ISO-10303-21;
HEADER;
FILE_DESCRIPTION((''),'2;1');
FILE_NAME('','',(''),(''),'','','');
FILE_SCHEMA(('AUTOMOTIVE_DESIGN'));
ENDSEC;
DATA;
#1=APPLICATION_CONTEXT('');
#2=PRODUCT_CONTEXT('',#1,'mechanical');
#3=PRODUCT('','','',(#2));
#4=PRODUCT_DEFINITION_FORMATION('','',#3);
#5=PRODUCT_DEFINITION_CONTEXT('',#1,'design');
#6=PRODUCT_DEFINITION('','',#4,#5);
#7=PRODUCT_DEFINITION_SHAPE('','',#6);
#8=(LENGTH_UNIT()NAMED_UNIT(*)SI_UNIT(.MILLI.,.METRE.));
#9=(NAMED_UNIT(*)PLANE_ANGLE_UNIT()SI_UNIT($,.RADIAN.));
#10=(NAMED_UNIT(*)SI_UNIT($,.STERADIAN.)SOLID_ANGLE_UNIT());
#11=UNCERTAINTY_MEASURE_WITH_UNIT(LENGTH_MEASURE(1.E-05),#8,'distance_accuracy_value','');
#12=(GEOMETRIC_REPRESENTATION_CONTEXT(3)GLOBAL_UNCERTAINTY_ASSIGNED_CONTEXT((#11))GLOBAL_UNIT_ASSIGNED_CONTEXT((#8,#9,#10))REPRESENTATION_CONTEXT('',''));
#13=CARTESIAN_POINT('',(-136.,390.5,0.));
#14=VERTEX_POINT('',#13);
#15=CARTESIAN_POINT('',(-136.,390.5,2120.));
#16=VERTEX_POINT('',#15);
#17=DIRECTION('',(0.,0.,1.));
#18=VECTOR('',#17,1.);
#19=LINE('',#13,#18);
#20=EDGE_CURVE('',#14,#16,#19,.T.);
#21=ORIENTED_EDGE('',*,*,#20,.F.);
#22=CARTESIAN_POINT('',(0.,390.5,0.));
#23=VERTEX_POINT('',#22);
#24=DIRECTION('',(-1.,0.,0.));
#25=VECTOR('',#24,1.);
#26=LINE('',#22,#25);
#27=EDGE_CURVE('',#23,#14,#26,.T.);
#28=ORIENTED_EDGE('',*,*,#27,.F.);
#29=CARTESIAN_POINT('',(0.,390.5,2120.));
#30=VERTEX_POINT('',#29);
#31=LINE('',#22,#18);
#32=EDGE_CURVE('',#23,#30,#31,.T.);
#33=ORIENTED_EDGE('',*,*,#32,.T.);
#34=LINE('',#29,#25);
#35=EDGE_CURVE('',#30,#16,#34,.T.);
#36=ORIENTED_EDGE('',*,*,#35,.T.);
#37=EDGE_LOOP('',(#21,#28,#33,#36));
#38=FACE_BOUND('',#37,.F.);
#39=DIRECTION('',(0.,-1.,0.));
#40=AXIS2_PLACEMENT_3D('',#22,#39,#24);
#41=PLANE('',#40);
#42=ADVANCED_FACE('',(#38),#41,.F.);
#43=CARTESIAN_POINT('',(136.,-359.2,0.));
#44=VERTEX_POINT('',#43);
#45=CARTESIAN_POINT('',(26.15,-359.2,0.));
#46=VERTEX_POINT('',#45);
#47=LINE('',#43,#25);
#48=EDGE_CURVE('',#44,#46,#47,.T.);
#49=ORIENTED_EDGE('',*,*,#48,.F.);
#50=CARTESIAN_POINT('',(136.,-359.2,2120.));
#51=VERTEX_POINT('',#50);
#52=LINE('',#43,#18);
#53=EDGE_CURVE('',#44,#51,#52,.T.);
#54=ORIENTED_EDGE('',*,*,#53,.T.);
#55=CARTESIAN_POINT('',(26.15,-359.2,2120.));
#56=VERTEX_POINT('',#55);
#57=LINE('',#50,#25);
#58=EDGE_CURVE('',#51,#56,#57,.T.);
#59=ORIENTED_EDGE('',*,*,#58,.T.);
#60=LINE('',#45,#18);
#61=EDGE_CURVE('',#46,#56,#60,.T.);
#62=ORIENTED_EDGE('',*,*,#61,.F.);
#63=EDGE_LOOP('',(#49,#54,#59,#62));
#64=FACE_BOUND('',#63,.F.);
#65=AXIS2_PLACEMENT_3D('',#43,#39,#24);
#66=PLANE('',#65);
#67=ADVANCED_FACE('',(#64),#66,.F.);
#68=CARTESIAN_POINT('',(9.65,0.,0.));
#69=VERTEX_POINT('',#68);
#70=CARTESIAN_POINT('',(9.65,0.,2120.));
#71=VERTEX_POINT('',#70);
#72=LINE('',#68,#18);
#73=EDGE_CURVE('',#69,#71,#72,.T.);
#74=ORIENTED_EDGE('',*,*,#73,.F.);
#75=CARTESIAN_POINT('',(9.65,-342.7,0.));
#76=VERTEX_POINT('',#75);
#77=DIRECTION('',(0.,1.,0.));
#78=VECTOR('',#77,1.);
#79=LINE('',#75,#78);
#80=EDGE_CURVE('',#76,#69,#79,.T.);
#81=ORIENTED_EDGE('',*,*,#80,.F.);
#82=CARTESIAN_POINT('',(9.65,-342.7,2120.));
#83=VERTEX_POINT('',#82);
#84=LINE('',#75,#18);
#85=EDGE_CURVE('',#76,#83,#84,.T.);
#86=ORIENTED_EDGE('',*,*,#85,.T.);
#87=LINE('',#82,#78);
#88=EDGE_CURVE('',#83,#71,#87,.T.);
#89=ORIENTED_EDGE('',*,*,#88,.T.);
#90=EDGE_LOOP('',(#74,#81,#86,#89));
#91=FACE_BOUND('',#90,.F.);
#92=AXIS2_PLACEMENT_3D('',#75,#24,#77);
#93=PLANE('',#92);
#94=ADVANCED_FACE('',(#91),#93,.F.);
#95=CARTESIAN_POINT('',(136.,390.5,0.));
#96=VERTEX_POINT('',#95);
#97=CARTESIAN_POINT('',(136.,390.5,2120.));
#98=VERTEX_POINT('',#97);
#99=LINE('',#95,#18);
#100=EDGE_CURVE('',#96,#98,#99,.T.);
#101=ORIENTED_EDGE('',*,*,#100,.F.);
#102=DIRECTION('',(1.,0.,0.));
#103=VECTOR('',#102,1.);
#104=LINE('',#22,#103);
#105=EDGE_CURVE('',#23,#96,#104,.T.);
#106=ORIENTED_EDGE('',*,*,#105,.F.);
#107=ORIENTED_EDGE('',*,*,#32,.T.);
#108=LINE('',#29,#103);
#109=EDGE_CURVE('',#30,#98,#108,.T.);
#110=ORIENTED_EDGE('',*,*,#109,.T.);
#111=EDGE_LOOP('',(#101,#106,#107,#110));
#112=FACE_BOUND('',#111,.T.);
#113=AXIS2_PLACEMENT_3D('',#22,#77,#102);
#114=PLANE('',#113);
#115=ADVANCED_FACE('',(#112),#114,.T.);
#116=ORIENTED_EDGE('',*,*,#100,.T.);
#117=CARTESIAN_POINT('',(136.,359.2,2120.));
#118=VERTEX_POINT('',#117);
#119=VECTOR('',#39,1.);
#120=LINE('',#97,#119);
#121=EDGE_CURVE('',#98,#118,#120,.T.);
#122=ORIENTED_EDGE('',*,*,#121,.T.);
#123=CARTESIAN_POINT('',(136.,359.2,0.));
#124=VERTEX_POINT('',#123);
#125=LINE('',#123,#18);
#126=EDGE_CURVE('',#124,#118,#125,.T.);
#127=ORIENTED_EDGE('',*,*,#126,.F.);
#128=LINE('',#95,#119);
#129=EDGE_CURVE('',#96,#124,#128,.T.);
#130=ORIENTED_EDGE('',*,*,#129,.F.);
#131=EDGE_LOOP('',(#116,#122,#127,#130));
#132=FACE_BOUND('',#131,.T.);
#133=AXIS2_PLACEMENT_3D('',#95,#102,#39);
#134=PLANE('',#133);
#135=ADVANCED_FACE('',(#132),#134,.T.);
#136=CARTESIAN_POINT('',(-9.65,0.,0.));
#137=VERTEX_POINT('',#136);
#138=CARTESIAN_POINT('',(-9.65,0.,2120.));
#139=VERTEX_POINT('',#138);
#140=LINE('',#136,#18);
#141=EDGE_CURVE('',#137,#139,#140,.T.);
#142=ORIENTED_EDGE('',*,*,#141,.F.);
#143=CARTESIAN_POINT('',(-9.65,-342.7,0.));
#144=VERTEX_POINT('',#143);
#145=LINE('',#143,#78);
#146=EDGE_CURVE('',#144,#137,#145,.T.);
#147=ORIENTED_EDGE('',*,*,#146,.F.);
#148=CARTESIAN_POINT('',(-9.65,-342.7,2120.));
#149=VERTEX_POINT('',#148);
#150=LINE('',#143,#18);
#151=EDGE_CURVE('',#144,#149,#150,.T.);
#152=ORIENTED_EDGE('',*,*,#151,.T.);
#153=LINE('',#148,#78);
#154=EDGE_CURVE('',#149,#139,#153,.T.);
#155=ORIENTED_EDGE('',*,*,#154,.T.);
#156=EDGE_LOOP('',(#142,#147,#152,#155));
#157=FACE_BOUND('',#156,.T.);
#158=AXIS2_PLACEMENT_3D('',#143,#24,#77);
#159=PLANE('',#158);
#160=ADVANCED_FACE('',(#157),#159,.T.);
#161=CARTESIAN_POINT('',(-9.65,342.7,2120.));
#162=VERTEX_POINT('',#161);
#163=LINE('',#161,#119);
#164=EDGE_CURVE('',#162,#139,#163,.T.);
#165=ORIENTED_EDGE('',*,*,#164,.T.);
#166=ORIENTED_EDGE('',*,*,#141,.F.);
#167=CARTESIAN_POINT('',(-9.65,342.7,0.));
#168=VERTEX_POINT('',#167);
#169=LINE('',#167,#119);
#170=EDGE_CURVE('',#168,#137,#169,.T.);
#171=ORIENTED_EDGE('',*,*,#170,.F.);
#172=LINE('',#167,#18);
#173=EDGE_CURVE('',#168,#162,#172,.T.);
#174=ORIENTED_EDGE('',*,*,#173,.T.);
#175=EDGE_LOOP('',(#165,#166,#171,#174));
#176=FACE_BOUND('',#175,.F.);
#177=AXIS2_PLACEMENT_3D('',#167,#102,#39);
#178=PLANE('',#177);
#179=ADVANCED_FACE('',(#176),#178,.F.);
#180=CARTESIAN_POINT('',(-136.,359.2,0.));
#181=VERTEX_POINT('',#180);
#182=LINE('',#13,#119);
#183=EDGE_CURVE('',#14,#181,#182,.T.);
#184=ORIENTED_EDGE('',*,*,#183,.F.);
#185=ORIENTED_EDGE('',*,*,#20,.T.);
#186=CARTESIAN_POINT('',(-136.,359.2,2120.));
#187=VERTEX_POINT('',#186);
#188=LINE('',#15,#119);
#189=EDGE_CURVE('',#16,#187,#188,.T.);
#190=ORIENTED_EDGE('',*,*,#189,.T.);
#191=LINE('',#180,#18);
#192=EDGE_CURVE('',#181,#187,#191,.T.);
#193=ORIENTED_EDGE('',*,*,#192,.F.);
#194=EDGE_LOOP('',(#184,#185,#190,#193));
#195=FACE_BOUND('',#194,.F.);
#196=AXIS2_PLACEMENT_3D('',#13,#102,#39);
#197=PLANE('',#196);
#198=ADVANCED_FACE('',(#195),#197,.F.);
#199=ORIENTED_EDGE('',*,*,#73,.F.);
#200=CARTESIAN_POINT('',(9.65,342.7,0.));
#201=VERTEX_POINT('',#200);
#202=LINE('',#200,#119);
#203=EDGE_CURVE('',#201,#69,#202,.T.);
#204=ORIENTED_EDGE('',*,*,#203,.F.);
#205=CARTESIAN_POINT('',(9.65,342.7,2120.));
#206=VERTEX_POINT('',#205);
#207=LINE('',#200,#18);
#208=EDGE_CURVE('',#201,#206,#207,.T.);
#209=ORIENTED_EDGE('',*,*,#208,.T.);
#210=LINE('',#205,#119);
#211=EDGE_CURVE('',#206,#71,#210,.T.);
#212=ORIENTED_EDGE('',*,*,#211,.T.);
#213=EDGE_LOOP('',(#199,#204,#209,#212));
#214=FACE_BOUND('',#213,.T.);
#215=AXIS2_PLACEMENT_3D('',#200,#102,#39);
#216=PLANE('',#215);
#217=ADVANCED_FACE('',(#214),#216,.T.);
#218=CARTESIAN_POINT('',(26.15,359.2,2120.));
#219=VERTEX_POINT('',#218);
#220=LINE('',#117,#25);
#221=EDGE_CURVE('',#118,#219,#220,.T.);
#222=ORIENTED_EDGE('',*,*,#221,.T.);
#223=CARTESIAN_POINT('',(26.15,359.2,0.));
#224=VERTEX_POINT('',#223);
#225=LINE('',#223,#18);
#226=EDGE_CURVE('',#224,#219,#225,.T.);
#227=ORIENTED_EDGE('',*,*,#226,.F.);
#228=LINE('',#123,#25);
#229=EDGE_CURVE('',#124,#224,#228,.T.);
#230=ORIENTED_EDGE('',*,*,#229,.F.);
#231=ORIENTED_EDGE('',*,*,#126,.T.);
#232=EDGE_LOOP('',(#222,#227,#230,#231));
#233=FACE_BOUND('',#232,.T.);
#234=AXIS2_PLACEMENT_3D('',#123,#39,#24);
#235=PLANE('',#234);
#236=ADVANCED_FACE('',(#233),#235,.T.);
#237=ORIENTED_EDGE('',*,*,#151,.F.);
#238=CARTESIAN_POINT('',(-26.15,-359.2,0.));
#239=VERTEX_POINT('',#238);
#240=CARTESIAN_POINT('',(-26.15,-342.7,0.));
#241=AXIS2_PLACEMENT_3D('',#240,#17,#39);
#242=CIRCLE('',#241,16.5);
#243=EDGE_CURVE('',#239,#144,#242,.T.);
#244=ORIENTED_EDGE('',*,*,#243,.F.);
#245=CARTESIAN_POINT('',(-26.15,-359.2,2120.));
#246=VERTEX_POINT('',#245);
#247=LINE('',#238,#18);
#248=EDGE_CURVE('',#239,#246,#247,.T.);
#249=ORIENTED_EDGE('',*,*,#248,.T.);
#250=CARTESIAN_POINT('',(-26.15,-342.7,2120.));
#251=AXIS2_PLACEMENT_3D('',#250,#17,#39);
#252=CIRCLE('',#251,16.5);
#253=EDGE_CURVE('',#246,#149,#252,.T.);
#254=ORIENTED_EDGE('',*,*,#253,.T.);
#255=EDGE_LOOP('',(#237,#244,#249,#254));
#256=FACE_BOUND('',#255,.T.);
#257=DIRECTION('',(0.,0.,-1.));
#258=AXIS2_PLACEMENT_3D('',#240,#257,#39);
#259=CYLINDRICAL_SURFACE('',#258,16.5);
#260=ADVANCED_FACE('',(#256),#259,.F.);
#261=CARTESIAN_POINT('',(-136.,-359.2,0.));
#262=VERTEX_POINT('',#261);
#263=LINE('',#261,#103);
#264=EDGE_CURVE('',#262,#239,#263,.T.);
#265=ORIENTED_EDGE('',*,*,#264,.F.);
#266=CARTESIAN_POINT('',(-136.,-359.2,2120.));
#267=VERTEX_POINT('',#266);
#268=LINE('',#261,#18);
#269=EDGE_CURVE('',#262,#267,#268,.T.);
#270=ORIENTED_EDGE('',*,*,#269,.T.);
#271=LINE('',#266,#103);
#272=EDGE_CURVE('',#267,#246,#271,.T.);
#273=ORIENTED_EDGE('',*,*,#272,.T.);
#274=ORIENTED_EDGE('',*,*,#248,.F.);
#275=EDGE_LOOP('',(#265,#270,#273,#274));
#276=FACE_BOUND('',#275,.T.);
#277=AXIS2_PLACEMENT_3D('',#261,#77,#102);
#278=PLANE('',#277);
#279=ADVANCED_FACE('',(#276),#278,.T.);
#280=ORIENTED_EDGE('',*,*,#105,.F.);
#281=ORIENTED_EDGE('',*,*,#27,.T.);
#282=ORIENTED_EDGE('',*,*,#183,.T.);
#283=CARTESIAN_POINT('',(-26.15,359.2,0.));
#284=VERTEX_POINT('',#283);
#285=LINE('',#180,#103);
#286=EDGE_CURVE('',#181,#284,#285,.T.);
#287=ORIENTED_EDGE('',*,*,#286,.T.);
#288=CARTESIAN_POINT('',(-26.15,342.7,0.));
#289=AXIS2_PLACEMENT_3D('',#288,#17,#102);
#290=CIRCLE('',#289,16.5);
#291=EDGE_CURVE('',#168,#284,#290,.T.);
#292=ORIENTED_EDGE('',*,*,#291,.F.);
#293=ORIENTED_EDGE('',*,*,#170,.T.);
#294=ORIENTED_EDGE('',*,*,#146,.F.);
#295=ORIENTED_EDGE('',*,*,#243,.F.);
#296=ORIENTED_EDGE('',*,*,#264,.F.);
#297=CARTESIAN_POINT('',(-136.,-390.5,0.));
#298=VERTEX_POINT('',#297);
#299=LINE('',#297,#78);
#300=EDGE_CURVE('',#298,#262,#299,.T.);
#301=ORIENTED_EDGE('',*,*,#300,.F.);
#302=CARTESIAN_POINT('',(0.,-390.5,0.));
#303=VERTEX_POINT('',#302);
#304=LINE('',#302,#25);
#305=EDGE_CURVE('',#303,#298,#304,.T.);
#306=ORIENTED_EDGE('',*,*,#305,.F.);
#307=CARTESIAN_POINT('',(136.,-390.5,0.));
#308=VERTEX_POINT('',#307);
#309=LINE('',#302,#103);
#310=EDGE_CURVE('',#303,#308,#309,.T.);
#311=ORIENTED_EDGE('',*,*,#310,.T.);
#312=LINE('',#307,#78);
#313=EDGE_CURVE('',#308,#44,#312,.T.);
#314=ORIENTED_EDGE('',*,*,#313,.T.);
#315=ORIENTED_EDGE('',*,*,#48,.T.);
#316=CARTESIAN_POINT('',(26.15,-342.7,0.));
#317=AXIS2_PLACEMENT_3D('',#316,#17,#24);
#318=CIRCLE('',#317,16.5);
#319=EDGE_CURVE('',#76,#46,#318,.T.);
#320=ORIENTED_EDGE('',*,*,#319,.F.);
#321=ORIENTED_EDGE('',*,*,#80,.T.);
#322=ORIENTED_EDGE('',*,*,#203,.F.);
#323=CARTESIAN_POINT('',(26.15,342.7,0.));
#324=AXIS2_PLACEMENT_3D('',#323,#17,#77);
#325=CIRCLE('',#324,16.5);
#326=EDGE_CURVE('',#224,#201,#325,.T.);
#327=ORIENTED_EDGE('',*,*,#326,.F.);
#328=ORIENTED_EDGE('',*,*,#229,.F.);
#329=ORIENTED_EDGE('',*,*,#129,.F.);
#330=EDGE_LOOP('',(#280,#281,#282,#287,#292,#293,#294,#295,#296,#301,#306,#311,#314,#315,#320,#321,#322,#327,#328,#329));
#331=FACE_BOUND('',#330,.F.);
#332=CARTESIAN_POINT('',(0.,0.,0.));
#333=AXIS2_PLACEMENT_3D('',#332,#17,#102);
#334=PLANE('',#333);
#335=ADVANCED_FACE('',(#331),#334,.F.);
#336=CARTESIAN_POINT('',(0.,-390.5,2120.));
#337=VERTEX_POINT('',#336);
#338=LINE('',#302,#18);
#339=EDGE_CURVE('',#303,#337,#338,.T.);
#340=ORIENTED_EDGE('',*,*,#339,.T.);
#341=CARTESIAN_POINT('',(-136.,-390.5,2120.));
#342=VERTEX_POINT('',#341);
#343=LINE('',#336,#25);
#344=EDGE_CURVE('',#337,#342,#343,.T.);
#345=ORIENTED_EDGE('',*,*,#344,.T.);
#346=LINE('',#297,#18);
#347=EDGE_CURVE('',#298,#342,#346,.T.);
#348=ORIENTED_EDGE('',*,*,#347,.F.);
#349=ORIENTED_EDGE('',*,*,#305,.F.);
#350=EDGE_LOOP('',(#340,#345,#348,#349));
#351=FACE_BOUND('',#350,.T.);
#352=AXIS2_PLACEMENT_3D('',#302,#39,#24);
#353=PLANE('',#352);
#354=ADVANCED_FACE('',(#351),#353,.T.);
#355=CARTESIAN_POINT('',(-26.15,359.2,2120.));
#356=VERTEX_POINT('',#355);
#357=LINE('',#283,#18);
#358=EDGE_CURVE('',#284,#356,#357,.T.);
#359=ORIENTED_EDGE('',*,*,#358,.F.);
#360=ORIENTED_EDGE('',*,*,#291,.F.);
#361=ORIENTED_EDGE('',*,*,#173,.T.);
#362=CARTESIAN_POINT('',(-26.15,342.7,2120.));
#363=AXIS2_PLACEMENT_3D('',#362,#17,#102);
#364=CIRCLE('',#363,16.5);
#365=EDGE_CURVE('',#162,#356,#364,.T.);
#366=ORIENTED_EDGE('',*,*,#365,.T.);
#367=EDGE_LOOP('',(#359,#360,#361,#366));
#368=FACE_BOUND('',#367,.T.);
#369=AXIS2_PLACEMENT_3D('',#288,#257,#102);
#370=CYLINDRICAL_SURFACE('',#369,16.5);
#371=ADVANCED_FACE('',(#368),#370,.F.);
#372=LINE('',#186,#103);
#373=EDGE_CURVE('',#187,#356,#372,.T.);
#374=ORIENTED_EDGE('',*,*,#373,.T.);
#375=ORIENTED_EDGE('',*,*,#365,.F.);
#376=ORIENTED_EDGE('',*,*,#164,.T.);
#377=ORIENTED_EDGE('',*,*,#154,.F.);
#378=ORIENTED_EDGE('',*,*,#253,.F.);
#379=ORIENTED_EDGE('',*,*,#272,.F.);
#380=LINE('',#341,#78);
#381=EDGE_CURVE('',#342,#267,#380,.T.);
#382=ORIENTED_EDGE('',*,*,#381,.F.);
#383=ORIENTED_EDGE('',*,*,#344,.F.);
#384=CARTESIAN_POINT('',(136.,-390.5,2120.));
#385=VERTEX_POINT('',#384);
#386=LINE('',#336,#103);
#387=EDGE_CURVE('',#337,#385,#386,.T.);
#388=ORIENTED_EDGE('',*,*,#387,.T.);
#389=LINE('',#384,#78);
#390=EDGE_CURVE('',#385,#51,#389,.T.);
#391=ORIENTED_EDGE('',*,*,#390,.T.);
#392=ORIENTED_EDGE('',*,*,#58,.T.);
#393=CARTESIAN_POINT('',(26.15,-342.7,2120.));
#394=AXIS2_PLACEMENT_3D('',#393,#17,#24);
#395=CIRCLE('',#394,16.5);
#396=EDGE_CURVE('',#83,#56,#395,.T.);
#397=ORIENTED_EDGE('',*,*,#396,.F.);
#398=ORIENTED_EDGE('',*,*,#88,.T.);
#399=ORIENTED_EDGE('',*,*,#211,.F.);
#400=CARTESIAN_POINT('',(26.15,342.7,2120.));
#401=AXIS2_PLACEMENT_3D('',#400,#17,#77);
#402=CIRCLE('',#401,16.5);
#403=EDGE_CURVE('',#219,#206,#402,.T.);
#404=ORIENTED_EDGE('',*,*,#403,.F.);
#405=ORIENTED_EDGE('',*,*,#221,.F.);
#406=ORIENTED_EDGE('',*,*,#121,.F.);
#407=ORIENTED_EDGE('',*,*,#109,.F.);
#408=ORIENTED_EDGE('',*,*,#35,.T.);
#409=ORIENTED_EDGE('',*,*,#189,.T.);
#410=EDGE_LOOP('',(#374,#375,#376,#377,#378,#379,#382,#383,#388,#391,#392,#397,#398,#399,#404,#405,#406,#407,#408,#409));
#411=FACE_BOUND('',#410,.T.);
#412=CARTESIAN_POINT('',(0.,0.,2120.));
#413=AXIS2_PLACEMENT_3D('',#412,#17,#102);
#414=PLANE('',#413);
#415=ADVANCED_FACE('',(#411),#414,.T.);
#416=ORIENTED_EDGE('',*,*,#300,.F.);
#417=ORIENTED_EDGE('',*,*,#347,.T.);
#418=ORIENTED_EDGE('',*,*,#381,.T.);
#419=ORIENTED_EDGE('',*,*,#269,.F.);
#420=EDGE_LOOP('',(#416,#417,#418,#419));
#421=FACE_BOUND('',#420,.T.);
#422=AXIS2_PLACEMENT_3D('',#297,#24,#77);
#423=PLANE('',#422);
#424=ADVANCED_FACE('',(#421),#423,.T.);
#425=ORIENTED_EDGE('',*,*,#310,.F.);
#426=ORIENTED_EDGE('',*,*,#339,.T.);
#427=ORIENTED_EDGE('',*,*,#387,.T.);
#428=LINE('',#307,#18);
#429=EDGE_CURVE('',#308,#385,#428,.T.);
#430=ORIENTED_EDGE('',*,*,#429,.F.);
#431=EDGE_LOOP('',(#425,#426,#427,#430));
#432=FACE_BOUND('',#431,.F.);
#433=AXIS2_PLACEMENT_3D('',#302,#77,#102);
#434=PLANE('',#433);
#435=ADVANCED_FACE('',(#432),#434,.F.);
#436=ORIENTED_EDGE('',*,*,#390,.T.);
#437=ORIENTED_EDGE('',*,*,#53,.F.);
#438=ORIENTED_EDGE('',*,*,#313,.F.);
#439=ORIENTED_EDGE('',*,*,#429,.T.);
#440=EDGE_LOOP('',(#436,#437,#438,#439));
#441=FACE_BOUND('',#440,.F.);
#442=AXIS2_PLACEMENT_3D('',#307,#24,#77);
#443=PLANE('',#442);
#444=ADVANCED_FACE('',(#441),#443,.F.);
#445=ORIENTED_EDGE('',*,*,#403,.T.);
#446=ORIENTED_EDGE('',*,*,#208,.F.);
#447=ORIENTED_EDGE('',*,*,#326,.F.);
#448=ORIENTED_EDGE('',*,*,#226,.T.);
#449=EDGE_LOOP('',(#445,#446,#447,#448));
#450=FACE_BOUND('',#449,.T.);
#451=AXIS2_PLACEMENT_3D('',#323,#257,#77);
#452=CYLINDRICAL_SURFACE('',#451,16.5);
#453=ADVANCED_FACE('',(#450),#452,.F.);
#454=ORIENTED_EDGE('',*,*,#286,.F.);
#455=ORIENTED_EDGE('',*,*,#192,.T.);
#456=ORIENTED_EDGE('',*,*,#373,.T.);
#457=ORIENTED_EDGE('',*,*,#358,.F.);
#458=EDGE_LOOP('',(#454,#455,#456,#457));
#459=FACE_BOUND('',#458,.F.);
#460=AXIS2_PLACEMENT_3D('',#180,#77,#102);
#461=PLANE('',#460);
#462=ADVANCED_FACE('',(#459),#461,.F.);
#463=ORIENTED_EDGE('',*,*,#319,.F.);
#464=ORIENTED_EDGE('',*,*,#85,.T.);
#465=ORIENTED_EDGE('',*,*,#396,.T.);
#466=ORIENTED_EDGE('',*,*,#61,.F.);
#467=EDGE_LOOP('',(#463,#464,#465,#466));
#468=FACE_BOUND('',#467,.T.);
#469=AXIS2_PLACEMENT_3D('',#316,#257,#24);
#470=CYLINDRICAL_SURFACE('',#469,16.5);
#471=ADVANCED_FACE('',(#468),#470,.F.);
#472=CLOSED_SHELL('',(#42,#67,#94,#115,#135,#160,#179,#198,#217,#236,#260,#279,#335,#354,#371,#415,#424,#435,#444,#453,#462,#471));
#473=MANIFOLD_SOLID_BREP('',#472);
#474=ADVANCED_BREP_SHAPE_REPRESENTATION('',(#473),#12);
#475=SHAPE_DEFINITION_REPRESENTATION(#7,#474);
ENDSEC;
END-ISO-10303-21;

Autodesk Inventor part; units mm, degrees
ref_plane "YZ Plane" through (0, 0, 0) normal (1, 0, 0) x (0, 1, 0)
ref_plane "Start plane" through (0, 0, 0) normal (0, 0, 1) x (1, 0, 0)
ref_plane "End plane" through (0, 0, 2120) normal (0, 0, 1) x (1, 0, 0)
sketch "Sketch" plane through (0, 0, 0) normal (0, 0, 1) x (1, 0, 0)
  line L0 (-136, -390.5) -> (-136, -359.2)
  line L1 (-136, -359.2) -> (-26.15, -359.2)
  line L2 (-9.65, -342.7) -> (-9.65, 0)
  line L3 (-9.65, 0) -> (0, 0) construction
  line L4 (0, 0) -> (0, -390.5) construction
  line L5 (0, -390.5) -> (-136, -390.5)
  line L6 (-60, 0) -> (80, 0) construction
  line L7 (0, -60) -> (0, 80) construction
  line L8 (136, -390.5) -> (136, -359.2)
  line L9 (136, -359.2) -> (26.15, -359.2)
  line L10 (9.65, -342.7) -> (9.65, 0)
  line L11 (9.65, 0) -> (0, 0) construction
  line L12 (0, -390.5) -> (136, -390.5)
  line L13 (-136, 390.5) -> (-136, 359.2)
  line L14 (-136, 359.2) -> (-26.15, 359.2)
  line L15 (-9.65, 342.7) -> (-9.65, 0)
  line L16 (0, 390.5) -> (-136, 390.5)
  line L17 (136, 390.5) -> (136, 359.2)
  line L18 (136, 359.2) -> (26.15, 359.2)
  line L19 (0, 390.5) -> (136, 390.5)
  line L20 (9.65, 342.7) -> (9.65, 0)
  arc A0 (-9.65, 342.7) -> (-26.15, 359.2) centre (-26.15, 342.7) ccw
  arc A1 (26.15, 359.2) -> (9.65, 342.7) centre (26.15, 342.7) ccw
  arc A2 (9.65, -342.7) -> (26.15, -359.2) centre (26.15, -342.7) ccw
  arc A3 (-26.15, -359.2) -> (-9.65, -342.7) centre (-26.15, -342.7) ccw
  line L21 (0, 108) -> (0, -88) construction
  line L22 (-88, 0) -> (108, 0) construction
  point P0 (-9.65, -359.2)
  point P1 (9.65, -359.2)
  point P2 (-9.65, 359.2)
  point P3 (9.65, 359.2)
  dimension "d1" = 390.5
  dimension "d2" = 31.3
  dimension "d3" = 136
  dimension "d4" = 9.65
  dimension "d10" = 16.5
extrude "Body" add sketch "Sketch" along normal up to surface (2120 mm away) from surface at 0
sketch "Sketch4" plane through (0, 0, 0) normal (0, 0, 1) x (1, 0, 0)
  line L0 (0, 0) -> (10, 0)
ref_plane "Work Plane3" through (0, 0, 0) normal (0, -1, 0) x (1, 0, 0)
sketch "Sketch5" plane through (0, 0, 0) normal (0, -1, 0) x (1, 0, 0)
  line L0 (-2, 0) -> (12, 0) projected
  line L1 (-2, 2120) -> (12, 2120) projected
  dimension "d14" = 2120
equation "\"d1\" = 0.5 * G_H"
equation "\"d2\" = G_T1"
equation "\"d3\" = 0.5 * G_W"
equation "\"d4\" = 0.5 * G_T"
equation "\"d10\" = G_IR"
equation "\"d5\" = G_L"
equation "\"G_W\" = 272"
equation "\"G_H\" = 781"
equation "\"G_T\" = 19.3"
equation "\"G_T1\" = 31.3"
equation "\"G_IR\" = 16.5"
equation "\"G_L\" = d14"
equation "\"G_OFFSET_START\" = 0"
equation "\"G_OFFSET_END\" = 0"
properties part number "AS 3679-1990 - 760 UB - 244 - 2120" material "Steel, Mild"
